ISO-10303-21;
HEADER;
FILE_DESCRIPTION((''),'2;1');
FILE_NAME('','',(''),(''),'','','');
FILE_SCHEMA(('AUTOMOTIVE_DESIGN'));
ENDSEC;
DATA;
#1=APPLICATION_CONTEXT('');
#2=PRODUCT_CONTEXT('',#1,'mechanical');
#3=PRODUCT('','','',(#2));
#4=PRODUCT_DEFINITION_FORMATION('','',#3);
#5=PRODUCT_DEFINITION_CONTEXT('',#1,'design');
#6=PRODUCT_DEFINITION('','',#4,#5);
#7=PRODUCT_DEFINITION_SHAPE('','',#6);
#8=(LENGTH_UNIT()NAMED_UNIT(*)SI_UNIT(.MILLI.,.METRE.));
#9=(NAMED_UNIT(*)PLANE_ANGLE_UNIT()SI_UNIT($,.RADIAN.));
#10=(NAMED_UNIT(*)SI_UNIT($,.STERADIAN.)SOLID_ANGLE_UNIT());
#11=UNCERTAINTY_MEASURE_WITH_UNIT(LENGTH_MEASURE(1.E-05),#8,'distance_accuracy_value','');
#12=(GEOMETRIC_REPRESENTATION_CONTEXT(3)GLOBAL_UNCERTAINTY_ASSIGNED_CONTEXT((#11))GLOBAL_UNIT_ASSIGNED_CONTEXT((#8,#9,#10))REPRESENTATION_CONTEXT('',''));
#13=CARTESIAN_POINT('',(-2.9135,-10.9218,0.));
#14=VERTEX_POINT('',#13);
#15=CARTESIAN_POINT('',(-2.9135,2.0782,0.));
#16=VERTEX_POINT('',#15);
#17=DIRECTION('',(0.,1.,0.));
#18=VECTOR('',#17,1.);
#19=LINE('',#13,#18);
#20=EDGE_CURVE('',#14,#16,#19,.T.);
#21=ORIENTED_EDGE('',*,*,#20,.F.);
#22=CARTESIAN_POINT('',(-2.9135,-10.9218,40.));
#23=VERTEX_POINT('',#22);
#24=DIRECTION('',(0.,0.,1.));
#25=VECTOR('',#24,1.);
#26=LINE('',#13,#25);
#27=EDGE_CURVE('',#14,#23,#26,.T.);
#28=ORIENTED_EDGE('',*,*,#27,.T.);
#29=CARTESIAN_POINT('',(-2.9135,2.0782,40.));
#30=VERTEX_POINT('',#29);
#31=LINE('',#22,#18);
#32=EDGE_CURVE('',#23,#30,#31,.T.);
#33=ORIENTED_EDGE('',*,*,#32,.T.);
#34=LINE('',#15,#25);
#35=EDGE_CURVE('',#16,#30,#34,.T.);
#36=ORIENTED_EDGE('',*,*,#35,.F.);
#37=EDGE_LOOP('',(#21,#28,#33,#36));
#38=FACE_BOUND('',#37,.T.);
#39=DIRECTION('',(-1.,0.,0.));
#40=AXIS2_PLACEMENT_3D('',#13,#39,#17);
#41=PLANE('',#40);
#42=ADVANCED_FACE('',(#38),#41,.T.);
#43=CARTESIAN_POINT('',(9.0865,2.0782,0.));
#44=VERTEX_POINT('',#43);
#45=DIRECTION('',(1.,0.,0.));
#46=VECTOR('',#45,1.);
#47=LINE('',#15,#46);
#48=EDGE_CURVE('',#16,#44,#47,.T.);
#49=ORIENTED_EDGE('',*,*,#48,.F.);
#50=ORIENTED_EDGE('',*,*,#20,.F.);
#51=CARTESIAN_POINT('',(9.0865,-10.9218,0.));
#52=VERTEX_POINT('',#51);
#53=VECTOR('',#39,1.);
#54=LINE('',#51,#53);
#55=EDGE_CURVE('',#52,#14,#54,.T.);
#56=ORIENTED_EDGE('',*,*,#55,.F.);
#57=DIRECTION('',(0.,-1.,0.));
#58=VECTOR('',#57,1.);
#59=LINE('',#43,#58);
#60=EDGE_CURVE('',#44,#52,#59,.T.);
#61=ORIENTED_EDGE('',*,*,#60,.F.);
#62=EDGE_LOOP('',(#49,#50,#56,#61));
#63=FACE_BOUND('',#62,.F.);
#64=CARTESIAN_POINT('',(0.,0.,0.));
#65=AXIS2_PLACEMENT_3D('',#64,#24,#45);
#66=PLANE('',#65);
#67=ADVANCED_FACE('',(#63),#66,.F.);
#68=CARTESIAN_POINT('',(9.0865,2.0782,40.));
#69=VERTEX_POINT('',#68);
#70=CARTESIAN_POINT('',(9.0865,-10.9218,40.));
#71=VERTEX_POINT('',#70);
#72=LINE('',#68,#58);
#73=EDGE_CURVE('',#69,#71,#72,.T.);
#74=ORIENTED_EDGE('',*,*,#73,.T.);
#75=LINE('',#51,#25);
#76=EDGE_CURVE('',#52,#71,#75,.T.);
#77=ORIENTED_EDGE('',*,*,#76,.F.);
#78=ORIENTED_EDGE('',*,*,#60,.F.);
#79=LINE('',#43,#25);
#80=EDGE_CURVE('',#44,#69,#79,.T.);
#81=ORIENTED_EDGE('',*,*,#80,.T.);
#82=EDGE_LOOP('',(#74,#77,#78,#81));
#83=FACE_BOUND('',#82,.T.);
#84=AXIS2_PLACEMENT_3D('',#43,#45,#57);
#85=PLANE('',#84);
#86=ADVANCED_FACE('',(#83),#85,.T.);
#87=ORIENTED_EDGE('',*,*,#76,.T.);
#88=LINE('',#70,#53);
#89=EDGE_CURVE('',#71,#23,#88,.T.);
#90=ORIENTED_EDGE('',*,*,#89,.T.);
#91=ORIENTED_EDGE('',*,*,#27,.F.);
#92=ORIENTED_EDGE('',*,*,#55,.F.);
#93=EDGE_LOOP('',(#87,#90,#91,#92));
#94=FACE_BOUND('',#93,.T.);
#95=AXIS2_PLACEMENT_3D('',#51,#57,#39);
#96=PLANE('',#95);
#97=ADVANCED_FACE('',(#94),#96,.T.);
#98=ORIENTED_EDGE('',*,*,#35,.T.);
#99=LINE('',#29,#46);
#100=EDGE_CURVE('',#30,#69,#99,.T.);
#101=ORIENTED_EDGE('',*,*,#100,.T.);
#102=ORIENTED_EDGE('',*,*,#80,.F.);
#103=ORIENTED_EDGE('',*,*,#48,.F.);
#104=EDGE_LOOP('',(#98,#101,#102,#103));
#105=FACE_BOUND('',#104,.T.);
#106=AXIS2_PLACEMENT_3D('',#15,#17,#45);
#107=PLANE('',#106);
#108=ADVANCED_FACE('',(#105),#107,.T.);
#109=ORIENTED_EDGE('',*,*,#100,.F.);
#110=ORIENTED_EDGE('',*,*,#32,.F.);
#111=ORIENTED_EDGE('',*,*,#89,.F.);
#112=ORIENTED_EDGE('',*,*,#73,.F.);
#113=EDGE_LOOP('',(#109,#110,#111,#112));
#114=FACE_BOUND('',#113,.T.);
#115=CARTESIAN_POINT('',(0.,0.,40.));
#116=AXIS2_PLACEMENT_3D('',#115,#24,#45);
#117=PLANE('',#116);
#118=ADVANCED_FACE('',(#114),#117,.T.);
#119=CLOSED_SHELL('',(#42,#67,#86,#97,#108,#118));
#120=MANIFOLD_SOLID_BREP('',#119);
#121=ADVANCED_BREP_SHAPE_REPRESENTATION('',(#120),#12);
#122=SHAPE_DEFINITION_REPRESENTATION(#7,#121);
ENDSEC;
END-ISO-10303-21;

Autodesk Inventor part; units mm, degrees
ref_plane "YZ Plane" through (0, 0, 0) normal (1, 0, 0) x (0, 1, 0)
ref_plane "XZ Plane" through (0, 0, 0) normal (0, 1, 0) x (-1, 0, 0)
ref_plane "XY Plane" through (0, 0, 0) normal (0, 0, 1) x (1, 0, 0)
sketch "Sketch1" plane through (0, 0, 0) normal (0, 0, 1) x (1, 0, 0)
  line L0 (-2.9135, 2.0782) -> (9.0865, 2.0782)
  line L1 (9.0865, 2.0782) -> (9.0865, -10.9218)
  line L2 (9.0865, -10.9218) -> (-2.9135, -10.9218)
  line L3 (-2.9135, -10.9218) -> (-2.9135, 2.0782)
  point P0 (0, 0)
  dimension "d0" = 12
  dimension "d1" = 13
extrude "Extrusion1" add sketch "Sketch1" along normal blind 40
properties part number "lipol 150mAH"
